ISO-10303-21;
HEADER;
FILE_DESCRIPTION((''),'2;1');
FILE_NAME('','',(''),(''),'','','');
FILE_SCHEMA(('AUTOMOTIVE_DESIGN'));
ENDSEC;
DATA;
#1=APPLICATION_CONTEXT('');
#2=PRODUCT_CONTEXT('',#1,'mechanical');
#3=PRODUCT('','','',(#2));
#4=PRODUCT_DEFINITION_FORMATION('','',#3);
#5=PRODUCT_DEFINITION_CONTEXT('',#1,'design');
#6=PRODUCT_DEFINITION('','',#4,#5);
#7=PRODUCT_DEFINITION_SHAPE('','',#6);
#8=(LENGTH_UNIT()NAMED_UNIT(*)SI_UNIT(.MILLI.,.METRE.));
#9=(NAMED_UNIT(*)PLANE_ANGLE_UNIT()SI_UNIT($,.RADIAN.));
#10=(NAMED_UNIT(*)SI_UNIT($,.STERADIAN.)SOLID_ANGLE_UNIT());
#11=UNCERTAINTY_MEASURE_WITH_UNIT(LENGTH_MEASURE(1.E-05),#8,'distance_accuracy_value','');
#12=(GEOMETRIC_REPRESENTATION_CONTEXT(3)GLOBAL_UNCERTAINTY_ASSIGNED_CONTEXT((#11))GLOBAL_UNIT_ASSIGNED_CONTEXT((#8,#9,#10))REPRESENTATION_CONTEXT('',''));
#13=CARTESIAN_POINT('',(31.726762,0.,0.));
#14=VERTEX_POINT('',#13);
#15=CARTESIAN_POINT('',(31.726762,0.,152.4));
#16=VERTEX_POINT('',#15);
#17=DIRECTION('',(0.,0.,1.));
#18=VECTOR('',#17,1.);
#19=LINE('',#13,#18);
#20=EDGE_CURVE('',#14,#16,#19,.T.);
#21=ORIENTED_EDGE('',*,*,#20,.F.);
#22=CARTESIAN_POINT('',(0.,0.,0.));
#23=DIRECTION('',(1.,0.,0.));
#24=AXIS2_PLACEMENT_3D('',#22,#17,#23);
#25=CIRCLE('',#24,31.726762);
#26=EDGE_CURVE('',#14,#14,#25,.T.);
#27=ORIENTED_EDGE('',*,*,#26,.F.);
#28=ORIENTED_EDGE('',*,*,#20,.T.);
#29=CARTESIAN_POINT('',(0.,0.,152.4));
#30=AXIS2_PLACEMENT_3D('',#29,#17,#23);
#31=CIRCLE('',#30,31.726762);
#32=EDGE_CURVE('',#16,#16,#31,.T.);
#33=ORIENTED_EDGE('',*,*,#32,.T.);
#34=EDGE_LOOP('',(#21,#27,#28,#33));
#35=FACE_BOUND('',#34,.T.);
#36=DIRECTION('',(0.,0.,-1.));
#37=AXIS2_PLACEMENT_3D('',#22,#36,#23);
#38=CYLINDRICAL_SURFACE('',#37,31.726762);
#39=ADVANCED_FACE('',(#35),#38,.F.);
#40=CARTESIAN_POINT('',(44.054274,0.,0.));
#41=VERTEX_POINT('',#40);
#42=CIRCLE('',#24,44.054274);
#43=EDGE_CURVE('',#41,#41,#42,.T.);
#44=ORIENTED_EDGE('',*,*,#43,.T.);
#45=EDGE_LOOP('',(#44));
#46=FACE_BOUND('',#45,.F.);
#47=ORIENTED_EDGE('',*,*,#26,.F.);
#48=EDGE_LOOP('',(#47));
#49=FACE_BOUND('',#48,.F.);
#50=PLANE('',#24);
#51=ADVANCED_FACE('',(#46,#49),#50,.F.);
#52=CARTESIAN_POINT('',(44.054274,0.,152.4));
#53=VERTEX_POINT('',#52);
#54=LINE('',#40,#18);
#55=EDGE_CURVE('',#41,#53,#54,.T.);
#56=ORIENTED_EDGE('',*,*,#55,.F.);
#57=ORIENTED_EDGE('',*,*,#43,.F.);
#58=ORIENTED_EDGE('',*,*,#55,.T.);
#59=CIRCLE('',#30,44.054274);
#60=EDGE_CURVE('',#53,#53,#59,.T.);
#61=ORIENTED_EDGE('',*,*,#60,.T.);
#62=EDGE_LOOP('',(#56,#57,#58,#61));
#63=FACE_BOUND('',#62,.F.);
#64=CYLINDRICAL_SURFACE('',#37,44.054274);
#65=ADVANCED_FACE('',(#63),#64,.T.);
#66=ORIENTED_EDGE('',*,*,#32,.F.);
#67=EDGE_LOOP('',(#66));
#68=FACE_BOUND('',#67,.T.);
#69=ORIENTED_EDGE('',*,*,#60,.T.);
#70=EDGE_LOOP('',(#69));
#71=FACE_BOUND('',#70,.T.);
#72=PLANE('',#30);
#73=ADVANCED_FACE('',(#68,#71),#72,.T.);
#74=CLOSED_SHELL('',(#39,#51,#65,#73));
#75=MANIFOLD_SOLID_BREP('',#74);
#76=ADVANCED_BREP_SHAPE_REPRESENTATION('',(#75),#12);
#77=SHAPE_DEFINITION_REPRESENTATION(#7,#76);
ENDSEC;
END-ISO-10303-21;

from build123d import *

# Parameters (mm, degrees)
F0_R     = 44.054274
F0_R_2   = 31.726762
F1_DEPTH = 152.4


with BuildPart() as f1:
    # F0 (on Top) → F1 (new body)
    with BuildSketch(Plane.XY):
        Circle(F0_R)
        Circle(F0_R_2, mode=Mode.SUBTRACT)
    extrude(amount=F1_DEPTH)


solid = f1.part
